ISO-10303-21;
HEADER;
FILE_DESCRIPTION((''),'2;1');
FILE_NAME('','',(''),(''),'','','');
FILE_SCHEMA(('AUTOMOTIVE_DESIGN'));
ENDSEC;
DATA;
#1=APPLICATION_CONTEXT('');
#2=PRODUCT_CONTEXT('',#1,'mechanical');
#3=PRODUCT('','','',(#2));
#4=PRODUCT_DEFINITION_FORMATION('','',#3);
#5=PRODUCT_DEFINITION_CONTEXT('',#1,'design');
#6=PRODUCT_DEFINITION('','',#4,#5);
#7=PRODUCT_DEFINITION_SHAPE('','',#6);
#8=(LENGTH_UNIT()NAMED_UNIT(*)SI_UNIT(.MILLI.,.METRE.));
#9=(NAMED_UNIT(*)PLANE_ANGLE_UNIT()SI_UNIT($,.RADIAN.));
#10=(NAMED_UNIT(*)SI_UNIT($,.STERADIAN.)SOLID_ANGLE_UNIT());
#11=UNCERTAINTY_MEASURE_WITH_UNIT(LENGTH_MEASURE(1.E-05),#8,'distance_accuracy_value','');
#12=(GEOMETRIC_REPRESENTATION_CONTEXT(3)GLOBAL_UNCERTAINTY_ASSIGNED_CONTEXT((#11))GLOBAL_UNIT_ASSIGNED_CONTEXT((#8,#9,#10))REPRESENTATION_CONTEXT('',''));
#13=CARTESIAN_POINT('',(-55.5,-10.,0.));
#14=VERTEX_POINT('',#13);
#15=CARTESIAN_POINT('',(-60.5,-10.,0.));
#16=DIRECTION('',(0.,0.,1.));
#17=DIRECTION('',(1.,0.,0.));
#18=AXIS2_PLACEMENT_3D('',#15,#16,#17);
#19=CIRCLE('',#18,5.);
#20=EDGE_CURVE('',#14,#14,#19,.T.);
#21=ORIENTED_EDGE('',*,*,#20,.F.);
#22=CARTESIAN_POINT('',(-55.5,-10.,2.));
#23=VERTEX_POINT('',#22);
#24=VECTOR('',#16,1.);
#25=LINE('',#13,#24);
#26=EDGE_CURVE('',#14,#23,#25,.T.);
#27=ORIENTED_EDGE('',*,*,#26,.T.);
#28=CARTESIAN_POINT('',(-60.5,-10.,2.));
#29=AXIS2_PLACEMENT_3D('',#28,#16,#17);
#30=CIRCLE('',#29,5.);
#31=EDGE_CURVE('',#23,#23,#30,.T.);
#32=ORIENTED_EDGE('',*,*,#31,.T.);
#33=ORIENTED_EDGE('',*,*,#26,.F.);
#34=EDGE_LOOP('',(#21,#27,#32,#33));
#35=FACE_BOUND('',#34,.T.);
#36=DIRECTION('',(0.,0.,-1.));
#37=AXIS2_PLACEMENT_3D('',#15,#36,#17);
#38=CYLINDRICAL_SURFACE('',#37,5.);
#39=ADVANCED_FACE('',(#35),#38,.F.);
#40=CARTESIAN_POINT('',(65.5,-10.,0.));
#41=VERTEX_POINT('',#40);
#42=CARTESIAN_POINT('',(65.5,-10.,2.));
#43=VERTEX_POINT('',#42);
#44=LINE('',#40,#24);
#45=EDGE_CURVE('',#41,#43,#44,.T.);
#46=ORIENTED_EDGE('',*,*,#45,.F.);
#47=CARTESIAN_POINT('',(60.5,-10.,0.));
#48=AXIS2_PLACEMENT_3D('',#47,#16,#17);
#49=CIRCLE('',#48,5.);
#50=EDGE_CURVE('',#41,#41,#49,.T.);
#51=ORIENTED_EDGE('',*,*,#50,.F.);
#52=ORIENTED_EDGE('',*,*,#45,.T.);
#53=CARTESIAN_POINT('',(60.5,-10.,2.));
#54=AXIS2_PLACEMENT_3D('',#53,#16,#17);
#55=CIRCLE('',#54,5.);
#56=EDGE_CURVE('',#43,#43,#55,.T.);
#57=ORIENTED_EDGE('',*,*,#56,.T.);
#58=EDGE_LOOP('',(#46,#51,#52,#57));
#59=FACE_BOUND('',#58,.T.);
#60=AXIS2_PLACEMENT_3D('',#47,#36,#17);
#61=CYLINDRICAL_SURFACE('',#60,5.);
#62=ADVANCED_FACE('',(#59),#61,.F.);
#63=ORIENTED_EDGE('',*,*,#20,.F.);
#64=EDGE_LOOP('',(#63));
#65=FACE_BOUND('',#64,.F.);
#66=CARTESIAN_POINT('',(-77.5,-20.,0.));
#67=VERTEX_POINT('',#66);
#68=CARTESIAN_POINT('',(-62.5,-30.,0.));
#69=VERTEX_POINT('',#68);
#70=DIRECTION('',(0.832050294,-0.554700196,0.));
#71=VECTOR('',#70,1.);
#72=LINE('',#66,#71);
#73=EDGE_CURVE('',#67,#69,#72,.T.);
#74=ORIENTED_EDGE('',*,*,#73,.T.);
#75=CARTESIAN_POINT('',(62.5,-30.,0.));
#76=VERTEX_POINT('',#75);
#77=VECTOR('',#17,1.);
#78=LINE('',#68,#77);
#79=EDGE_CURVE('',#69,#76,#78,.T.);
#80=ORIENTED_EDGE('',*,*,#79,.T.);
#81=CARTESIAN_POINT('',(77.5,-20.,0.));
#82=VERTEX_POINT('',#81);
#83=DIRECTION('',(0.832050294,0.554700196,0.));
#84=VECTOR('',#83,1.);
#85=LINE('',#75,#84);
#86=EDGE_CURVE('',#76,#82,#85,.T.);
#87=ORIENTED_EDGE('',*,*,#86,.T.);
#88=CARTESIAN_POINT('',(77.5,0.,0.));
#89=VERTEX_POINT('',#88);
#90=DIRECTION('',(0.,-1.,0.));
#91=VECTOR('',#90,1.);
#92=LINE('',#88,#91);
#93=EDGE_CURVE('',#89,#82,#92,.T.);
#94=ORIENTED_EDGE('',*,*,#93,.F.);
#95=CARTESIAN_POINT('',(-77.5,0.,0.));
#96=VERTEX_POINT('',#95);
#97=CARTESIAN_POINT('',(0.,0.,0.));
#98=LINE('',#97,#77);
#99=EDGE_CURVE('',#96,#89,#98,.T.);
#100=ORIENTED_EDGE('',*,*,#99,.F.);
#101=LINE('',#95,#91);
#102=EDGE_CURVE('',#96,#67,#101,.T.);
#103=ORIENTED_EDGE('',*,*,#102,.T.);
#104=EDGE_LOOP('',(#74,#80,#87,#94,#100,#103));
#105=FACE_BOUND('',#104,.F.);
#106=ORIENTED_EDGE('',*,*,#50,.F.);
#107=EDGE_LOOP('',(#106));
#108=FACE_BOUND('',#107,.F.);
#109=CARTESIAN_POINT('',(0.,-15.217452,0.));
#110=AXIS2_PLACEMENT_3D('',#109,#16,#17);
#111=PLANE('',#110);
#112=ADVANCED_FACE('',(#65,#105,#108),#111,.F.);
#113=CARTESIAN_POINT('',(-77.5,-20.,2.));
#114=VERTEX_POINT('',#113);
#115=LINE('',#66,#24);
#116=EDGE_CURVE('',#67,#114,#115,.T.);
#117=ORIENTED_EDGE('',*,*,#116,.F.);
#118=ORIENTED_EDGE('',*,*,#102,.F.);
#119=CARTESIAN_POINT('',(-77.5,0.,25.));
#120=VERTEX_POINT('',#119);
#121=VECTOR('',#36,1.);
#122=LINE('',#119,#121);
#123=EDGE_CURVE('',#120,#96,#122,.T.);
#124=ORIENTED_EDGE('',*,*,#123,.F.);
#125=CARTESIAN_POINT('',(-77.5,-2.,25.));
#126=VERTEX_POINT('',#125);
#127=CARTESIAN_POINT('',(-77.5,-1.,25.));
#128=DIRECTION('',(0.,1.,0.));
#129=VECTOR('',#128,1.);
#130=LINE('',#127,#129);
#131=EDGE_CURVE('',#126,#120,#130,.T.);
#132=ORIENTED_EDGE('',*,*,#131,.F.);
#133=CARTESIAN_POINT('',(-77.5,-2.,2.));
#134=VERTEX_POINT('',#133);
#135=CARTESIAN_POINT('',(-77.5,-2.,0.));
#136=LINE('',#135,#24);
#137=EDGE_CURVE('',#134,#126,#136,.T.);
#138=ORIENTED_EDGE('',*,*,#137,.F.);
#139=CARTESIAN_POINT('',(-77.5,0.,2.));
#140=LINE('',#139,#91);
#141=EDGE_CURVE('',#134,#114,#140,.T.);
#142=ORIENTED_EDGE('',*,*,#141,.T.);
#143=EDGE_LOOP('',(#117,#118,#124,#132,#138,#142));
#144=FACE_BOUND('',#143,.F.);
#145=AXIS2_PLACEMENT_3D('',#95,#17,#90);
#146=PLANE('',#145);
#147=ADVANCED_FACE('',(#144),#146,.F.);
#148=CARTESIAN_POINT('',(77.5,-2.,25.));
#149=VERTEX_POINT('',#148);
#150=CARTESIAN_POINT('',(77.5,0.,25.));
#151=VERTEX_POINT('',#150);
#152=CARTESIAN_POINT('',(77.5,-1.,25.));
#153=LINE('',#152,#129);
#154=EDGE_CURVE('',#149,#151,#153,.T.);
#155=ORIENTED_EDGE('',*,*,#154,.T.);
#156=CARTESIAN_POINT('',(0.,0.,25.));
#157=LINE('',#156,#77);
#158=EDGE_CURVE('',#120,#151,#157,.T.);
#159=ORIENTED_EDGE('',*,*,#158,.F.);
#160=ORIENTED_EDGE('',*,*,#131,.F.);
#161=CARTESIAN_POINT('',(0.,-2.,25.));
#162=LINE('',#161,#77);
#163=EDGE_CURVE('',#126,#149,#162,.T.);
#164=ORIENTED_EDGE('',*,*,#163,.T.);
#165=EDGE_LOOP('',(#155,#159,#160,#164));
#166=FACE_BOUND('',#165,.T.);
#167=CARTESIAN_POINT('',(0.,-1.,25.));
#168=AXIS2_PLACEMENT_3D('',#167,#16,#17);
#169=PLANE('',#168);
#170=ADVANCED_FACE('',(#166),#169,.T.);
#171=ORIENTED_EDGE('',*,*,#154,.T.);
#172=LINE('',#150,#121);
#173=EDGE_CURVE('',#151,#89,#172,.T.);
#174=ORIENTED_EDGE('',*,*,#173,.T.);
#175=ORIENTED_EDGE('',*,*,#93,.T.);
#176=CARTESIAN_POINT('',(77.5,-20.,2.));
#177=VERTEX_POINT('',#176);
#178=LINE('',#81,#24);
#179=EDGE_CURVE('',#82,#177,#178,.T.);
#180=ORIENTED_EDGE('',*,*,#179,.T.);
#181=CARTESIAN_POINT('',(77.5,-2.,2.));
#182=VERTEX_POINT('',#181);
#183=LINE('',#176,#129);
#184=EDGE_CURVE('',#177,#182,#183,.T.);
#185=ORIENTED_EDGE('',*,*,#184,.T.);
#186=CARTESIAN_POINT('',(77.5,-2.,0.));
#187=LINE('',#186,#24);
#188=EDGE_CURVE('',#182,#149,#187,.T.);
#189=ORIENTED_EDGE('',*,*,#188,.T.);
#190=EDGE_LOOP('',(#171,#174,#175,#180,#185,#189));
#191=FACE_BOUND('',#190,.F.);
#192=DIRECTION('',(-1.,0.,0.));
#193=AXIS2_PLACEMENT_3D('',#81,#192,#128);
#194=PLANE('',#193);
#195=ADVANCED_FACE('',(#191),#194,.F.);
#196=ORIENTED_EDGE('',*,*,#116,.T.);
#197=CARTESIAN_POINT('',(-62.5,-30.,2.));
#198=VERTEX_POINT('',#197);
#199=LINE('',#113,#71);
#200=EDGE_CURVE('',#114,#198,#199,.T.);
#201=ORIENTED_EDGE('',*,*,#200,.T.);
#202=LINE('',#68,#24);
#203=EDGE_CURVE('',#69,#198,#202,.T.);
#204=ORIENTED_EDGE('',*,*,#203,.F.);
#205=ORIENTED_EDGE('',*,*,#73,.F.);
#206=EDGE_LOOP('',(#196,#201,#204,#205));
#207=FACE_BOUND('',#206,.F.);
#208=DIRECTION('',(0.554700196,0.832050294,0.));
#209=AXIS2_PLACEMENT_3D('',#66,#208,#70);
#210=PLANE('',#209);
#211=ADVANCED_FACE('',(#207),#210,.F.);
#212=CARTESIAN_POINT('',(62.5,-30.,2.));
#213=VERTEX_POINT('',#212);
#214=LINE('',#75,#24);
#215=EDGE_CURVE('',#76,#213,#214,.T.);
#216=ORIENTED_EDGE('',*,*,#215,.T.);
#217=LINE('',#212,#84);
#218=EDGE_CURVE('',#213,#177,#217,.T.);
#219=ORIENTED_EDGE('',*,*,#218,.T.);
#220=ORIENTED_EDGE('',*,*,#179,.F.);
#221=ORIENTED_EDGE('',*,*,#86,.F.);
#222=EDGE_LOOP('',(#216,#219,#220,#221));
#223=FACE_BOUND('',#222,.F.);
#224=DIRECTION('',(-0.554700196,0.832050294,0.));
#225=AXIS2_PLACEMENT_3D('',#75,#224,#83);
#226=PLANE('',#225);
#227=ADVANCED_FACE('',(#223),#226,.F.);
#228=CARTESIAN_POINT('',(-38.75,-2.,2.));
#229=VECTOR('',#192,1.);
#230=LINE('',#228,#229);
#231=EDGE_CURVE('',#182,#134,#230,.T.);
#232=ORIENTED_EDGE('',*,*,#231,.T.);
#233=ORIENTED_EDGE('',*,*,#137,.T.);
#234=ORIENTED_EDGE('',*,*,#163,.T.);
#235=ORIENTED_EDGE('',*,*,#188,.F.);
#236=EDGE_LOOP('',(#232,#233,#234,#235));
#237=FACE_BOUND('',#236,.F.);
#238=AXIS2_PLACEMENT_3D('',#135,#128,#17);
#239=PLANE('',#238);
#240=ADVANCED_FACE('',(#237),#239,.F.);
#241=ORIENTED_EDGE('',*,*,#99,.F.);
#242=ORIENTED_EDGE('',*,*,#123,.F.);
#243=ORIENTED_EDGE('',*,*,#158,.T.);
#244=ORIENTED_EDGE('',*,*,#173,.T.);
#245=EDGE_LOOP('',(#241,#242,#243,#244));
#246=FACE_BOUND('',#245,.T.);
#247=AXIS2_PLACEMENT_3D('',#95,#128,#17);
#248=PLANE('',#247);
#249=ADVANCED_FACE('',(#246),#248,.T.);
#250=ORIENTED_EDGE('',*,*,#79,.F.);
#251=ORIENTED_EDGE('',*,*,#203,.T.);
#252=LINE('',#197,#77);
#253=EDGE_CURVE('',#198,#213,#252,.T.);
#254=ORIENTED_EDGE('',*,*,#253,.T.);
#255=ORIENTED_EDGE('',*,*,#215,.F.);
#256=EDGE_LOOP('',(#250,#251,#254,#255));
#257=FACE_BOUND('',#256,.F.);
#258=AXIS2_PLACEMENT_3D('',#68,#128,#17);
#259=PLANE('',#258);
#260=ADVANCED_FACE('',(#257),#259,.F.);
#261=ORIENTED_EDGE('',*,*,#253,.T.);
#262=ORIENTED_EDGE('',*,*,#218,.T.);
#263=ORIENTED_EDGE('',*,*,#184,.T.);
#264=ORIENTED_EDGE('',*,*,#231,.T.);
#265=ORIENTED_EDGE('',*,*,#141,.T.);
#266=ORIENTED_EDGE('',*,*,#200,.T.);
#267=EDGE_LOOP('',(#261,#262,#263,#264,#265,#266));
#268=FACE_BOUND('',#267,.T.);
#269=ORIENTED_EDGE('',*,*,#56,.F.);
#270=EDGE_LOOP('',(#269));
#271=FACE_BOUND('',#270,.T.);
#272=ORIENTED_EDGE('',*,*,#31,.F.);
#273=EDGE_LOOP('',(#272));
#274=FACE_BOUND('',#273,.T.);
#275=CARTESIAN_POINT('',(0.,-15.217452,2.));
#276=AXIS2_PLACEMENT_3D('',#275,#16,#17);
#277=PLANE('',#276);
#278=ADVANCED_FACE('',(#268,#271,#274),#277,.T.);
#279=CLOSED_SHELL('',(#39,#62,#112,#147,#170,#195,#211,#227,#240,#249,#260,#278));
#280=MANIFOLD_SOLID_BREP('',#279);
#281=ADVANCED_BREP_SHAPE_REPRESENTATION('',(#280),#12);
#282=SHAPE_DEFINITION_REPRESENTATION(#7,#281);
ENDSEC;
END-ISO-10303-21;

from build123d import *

# Parameters (mm, degrees)
F0_R     = 5
F0_W     = 155
F0_H     = 2
F1_DEPTH = 2
F2_DEPTH = 25


with BuildPart() as f1:
    # F0 (on Top) → F1 (new body)
    with BuildSketch(Plane.XY):
        Polygon((-77.5, -20), (-62.5, -30), (62.5, -30), (77.5, -20), (77.5, -2), (-77.5, -2), align=None)
        with Locations((-60.5, -10)):
            Circle(F0_R, mode=Mode.SUBTRACT)
        with Locations((60.5, -10)):
            Circle(F0_R, mode=Mode.SUBTRACT)
        with Locations((0, -1)):
            Rectangle(F0_W, F0_H)
    extrude(amount=F1_DEPTH)

    # F0 (on Top) → F2 (join)
    with BuildSketch(Plane.XY):
        with Locations((0, -1)):
            Rectangle(F0_W, F0_H)
    extrude(amount=F2_DEPTH)


solid = f1.part
